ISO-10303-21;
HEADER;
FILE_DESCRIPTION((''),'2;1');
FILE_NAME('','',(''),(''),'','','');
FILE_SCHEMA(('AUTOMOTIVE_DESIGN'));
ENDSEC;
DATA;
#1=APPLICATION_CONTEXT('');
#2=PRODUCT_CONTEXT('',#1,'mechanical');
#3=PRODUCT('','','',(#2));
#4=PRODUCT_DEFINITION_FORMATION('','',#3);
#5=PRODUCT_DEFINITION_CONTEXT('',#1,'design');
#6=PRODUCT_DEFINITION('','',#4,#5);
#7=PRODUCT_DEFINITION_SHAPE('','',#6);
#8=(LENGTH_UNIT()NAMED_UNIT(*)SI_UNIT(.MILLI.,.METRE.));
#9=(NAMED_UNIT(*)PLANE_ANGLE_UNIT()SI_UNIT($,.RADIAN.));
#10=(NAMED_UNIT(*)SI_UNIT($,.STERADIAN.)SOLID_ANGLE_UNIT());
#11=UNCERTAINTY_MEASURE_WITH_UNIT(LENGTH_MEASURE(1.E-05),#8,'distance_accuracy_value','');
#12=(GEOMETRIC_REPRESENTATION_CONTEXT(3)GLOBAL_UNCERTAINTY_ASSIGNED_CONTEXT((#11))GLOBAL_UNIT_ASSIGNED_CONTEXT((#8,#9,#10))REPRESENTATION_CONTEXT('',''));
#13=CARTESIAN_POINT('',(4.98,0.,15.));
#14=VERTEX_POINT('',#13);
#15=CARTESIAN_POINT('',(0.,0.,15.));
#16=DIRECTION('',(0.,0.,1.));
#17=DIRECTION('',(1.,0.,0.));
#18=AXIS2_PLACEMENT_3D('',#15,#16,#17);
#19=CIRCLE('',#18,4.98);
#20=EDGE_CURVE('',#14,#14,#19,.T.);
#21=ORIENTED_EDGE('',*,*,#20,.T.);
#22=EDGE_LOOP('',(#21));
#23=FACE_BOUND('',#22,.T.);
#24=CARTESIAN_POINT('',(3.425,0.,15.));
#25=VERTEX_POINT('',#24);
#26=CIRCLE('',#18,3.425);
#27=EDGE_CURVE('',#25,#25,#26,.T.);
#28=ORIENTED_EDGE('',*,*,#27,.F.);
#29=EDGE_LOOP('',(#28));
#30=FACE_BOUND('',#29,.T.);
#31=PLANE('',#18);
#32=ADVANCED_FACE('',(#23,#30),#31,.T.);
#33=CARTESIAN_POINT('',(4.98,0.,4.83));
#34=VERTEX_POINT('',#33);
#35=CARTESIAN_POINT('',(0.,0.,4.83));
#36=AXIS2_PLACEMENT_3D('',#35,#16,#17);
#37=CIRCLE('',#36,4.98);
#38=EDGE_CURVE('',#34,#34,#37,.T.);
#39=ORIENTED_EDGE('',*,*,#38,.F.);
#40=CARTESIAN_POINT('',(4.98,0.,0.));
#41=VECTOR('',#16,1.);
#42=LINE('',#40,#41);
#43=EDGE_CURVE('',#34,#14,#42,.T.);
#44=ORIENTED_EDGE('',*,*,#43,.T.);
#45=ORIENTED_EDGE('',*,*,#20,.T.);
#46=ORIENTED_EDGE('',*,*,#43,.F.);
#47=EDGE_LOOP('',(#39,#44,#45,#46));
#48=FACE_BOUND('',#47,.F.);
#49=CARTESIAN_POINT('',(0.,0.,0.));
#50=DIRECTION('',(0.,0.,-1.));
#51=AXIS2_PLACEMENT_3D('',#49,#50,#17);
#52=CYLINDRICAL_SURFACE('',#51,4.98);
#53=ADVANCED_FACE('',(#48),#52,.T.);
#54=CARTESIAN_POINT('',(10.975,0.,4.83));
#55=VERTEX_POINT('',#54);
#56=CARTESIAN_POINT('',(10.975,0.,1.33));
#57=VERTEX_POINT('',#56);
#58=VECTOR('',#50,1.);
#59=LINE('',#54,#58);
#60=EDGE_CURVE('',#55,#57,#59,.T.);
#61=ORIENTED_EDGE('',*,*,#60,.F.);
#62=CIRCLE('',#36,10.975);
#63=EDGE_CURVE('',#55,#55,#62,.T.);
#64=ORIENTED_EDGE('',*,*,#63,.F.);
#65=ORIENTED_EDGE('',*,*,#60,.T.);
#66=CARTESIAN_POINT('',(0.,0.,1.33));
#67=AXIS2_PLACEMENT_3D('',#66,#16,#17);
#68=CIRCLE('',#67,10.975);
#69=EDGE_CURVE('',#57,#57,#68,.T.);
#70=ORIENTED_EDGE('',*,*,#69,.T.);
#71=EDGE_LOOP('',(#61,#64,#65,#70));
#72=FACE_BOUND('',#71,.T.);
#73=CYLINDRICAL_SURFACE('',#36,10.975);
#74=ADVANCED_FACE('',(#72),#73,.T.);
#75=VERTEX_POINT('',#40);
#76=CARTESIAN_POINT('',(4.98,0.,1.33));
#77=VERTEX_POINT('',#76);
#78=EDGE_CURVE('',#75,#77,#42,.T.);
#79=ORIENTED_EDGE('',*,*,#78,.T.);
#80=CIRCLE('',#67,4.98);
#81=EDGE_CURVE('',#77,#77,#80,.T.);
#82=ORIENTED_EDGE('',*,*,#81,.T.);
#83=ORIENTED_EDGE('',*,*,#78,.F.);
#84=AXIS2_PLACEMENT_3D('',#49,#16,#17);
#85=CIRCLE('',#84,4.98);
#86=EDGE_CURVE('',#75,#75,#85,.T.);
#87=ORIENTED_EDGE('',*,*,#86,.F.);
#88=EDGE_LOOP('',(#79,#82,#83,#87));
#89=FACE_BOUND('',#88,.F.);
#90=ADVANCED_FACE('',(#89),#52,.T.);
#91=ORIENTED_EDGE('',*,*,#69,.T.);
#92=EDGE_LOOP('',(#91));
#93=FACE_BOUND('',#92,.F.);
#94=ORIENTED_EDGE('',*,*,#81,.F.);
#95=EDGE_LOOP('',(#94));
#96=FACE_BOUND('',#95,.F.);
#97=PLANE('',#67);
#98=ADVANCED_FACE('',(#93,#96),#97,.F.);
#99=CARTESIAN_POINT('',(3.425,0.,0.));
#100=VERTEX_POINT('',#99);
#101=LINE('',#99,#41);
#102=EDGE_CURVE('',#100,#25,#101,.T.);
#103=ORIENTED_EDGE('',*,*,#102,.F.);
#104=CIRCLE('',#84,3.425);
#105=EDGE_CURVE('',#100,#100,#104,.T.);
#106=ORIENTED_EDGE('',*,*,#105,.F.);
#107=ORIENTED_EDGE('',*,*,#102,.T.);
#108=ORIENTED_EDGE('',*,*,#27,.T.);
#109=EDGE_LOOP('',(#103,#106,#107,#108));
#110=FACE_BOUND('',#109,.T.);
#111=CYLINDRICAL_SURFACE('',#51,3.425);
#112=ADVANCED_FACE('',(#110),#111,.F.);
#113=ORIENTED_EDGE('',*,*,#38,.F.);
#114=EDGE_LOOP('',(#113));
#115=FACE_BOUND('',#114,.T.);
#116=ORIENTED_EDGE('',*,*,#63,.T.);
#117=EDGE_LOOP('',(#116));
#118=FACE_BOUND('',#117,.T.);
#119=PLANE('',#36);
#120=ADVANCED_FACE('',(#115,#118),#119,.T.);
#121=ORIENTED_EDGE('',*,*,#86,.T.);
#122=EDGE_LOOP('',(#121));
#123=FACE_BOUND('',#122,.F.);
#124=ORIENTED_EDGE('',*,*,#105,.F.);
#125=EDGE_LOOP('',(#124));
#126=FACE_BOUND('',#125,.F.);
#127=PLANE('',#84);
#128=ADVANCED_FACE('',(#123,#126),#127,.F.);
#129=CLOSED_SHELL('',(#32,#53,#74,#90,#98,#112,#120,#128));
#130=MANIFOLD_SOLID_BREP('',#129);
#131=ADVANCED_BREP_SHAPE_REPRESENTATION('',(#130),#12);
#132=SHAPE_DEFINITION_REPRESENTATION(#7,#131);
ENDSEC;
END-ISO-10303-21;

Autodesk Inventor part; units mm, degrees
ref_plane "YZ Plane" through (0, 0, 0) normal (1, 0, 0) x (0, 1, 0)
ref_plane "XZ Plane" through (0, 0, 0) normal (0, 1, 0) x (-1, 0, 0)
sketch "Boceto1" plane through (0, 0, 0) normal (0, 0, 1) x (1, 0, 0)
  circle A0 centre (0, 0) radius 4.98
  circle A1 centre (0, 0) radius 3.425
extrude "Extrusión1" add sketch "Boceto1" along normal blind 15
ref_plane "Plano de trabajo1" through (0, 0, 4.83) normal (0, 0, 1) x (1, 0, 0)
sketch "Boceto2" plane through (0, 0, 4.83) normal (0, 0, 1) x (1, 0, 0)
  circle A0 centre (0, 0) radius 10.975
  circle A1 centre (0, 0) radius 4.98
  dimension "d5" = 21.95
extrude "Extrusión2" add sketch "Boceto2" against normal blind 3.5
properties part number "017"
